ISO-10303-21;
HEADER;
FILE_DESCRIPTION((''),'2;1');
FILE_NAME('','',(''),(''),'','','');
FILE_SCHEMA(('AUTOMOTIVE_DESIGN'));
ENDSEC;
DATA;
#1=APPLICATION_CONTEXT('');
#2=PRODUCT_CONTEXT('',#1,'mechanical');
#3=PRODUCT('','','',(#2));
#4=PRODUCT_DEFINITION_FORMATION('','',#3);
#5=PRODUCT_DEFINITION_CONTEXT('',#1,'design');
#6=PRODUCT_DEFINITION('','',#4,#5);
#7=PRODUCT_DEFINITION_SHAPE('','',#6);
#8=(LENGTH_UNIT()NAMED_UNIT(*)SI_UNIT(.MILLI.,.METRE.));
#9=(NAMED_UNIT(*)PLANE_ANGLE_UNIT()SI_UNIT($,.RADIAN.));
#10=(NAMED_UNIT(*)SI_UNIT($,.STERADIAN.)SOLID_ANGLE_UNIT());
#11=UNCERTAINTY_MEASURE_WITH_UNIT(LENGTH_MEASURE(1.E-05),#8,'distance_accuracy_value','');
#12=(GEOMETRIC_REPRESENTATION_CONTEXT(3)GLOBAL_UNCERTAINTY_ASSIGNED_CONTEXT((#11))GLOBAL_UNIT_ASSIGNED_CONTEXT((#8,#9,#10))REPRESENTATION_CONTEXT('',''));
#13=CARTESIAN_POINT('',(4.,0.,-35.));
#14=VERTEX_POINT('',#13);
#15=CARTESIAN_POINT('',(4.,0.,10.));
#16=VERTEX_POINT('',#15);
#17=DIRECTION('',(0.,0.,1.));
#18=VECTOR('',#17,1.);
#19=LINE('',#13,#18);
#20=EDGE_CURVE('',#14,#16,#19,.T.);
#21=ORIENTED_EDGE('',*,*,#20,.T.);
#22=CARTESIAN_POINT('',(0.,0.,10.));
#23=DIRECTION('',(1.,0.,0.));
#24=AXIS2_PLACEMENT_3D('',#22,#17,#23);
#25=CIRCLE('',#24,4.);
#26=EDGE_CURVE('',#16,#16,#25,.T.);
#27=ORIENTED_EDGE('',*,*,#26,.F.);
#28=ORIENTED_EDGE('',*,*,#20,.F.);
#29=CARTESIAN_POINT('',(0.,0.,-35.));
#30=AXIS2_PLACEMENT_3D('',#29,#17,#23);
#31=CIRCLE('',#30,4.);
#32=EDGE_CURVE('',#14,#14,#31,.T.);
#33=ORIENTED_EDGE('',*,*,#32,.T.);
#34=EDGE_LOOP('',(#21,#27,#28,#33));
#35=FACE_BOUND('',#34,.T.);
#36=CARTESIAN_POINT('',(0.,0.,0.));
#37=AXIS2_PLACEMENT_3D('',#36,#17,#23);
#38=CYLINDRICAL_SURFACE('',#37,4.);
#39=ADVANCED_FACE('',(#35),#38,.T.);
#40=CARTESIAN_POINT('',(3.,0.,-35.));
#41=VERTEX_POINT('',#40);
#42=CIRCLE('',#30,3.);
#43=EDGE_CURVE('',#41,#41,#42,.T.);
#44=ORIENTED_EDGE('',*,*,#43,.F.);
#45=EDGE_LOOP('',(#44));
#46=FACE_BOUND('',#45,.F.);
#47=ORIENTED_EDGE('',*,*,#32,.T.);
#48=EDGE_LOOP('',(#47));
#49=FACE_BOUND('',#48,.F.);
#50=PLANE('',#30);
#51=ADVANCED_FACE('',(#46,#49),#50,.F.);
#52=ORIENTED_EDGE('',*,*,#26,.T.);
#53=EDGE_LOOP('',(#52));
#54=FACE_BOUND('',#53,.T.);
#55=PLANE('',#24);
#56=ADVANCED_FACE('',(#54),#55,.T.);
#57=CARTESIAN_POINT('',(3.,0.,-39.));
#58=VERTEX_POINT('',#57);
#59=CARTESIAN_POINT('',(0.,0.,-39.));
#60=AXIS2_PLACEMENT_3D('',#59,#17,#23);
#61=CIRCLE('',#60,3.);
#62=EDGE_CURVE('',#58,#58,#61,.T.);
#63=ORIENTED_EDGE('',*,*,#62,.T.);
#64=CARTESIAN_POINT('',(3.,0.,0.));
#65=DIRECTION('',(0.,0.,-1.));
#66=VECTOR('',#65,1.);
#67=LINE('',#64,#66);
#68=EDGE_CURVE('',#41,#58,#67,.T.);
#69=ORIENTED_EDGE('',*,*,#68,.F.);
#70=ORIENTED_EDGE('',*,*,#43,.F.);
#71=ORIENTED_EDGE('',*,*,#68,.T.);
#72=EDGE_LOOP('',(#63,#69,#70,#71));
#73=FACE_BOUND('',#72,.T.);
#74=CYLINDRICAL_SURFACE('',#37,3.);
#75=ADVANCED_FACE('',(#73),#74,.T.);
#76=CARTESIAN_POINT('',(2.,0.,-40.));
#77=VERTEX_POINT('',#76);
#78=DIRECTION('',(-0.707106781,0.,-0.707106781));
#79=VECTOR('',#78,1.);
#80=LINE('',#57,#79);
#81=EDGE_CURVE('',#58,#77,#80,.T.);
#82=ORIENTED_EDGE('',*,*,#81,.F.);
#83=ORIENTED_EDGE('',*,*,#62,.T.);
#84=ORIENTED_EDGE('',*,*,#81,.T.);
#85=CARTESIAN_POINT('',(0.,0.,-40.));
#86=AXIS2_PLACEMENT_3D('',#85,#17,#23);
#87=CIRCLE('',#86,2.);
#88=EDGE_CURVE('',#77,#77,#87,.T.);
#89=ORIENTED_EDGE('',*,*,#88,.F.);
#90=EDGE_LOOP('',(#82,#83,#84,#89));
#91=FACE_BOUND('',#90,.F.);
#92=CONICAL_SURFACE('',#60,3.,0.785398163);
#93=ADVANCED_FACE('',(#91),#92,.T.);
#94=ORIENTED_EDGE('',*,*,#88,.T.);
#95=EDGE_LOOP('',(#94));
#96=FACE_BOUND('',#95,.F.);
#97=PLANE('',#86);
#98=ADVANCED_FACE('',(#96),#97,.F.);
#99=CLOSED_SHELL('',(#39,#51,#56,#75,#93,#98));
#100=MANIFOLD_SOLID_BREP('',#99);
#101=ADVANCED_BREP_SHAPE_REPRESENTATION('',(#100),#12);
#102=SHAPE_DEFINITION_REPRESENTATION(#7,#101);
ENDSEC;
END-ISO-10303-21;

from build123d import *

# Parameters (mm, degrees)
F0_R          = 4
F0_R_2        = 3
F1_DEPTH      = 35
F1_DEPTH_BACK = 10
F2_DEPTH      = 40
F3_SIZE       = 1


with BuildPart() as f1:
    # F0 (on Top) → F1 (new body, two sides)
    with BuildSketch(Plane.XY) as f1_sk:
        Circle(F0_R)
        Circle(F0_R_2, mode=Mode.SUBTRACT)
        Circle(F0_R_2)
    extrude(amount=-F1_DEPTH)
    extrude(f1_sk.sketch, amount=F1_DEPTH_BACK)

    # F0 (on Top) → F2 (join)
    with BuildSketch(Plane.XY):
        Circle(F0_R_2)
    extrude(amount=-F2_DEPTH)

    # F3
    f3_edges = [f1.edges().sort_by_distance(p)[0] for p in [
        (-3, 0, -40),
    ]]
    chamfer(f3_edges, length=F3_SIZE)


solid = f1.part
